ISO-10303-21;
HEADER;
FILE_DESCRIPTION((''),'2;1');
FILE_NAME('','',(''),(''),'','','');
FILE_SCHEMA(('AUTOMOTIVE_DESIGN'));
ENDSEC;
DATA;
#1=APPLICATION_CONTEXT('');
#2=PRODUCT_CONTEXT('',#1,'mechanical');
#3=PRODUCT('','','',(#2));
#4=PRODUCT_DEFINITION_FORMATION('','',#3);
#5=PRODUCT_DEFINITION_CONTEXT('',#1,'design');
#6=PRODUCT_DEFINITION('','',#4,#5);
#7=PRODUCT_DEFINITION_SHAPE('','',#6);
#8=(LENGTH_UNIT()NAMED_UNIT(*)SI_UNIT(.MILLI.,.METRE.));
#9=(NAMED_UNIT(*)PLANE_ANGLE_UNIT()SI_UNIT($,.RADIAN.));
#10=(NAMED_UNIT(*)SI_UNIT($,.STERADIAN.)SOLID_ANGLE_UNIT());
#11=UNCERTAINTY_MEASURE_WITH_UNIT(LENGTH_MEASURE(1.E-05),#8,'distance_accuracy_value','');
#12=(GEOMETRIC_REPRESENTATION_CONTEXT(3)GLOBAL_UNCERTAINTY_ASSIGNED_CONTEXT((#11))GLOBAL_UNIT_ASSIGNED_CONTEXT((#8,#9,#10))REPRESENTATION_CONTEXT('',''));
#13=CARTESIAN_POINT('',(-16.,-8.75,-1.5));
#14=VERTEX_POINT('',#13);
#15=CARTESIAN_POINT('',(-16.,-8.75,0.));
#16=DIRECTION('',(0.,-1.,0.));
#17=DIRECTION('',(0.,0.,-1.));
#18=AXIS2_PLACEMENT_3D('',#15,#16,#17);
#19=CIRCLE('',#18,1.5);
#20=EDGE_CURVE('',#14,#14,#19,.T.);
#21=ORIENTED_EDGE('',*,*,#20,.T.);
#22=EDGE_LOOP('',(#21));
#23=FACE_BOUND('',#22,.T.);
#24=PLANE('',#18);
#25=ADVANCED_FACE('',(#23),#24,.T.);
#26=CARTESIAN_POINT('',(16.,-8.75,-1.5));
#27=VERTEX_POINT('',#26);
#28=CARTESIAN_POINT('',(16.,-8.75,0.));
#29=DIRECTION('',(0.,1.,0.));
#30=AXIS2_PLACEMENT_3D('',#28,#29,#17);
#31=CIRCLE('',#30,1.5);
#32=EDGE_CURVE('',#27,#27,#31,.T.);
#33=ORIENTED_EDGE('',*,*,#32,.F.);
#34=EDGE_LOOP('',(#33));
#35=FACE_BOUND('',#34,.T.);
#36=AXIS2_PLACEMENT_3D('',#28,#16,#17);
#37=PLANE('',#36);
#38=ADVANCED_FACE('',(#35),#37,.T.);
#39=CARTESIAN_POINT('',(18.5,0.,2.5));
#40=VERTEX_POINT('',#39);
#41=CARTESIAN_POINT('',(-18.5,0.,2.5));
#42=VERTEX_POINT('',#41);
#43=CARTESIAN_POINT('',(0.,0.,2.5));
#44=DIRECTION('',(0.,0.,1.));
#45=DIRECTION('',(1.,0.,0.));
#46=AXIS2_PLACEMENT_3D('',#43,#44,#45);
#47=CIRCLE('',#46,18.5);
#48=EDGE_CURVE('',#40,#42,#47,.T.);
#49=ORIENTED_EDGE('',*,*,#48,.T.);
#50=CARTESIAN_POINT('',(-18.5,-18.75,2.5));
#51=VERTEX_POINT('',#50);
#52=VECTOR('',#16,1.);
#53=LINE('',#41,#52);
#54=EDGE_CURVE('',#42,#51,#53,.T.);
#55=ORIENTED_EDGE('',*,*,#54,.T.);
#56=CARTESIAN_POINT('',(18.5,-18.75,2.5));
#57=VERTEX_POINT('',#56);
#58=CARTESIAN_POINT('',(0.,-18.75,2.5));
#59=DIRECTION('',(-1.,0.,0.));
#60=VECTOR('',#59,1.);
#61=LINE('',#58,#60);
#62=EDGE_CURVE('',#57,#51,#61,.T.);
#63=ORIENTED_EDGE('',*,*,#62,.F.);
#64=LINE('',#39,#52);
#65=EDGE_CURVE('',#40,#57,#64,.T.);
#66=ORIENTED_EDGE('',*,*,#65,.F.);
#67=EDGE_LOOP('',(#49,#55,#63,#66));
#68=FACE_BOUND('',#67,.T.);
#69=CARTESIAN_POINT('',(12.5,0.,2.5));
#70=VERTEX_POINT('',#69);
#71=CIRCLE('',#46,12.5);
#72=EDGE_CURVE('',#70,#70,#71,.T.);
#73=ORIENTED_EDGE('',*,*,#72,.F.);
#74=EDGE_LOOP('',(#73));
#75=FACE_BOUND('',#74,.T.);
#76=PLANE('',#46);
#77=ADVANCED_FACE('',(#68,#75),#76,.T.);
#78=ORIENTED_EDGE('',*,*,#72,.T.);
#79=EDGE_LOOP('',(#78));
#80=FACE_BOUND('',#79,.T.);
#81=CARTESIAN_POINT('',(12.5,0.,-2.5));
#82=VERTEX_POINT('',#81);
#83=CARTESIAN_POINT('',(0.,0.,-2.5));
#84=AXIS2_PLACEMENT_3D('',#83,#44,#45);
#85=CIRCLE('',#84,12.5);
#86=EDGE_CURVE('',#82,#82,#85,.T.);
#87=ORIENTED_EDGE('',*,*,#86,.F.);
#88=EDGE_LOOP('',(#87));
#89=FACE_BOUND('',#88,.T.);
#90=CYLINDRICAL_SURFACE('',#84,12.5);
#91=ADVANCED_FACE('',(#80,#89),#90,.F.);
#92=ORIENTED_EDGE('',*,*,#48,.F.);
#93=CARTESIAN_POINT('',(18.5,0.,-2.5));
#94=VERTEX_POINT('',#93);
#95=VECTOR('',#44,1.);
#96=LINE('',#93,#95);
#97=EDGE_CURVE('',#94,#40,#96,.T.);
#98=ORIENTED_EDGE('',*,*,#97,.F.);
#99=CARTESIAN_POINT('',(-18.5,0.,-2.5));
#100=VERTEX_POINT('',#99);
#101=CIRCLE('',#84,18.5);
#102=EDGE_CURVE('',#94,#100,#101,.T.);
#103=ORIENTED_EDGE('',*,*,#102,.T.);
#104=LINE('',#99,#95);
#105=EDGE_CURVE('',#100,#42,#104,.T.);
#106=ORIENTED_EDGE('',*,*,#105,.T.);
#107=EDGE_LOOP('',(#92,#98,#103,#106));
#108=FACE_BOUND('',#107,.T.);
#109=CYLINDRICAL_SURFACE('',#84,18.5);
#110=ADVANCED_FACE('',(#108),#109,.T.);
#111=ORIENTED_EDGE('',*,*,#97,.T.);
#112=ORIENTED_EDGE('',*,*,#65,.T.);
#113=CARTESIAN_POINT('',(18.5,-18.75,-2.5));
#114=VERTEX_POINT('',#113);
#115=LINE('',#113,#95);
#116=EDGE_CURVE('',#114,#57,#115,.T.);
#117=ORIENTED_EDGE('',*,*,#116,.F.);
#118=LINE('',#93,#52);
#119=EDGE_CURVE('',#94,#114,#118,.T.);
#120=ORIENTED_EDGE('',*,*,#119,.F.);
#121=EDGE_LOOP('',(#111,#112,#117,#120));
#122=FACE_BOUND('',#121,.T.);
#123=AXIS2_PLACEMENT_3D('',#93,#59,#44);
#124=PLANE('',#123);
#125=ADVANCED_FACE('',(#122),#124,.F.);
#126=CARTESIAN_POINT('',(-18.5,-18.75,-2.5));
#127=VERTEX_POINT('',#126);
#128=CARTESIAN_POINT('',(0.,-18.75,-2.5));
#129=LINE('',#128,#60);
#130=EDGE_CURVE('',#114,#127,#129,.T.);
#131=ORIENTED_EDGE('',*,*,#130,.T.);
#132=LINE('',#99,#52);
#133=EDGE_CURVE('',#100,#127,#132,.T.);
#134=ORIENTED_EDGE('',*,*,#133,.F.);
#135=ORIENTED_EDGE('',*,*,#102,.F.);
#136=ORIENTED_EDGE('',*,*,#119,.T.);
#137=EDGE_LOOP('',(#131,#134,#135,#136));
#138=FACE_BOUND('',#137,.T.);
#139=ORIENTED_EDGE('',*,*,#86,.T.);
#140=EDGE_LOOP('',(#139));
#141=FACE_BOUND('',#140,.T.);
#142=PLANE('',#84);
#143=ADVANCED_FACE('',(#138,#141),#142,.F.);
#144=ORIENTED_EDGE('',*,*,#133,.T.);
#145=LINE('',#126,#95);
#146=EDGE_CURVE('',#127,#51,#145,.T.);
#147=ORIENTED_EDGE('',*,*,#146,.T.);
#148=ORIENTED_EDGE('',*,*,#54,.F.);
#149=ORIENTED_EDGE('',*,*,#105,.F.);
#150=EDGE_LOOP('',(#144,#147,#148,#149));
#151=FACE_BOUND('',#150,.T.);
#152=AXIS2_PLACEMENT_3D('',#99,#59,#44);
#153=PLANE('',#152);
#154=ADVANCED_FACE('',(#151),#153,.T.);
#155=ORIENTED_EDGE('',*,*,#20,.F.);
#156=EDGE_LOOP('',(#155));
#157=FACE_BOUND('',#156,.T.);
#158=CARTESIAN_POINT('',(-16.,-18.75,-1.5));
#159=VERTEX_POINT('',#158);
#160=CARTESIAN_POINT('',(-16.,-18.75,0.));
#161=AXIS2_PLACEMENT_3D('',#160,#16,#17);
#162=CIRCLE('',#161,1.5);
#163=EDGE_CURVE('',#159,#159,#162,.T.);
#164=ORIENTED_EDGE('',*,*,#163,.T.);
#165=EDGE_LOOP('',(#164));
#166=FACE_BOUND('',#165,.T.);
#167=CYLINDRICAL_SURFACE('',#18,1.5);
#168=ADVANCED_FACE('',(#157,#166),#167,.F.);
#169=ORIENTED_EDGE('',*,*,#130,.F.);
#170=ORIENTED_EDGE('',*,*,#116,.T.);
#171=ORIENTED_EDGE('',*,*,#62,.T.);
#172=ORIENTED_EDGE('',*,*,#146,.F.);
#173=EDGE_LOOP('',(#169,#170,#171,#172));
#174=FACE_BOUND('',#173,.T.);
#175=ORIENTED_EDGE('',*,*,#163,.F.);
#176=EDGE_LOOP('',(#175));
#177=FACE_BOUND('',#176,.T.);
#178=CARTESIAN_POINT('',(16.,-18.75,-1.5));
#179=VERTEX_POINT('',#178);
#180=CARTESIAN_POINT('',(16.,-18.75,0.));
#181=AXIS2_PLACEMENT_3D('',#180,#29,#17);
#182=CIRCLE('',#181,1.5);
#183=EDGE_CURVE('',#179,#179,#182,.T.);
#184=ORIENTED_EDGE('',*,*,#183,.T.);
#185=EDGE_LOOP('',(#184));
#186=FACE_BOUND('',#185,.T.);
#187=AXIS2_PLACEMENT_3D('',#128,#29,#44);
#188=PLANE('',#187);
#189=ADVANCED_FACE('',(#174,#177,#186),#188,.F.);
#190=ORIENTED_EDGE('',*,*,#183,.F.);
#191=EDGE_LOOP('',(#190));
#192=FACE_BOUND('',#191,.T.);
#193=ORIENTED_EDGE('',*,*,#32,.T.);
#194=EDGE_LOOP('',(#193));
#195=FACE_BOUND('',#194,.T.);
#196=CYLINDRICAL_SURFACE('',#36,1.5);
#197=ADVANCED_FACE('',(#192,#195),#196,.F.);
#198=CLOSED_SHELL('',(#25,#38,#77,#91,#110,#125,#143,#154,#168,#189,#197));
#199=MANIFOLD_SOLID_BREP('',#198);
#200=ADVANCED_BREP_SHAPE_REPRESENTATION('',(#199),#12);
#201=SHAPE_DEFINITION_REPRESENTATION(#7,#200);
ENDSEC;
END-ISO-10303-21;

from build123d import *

# Parameters (mm, degrees)
BOSS_EXTRUDE1_DEPTH      = 2.5
BOSS_EXTRUDE1_DEPTH_BACK = 2.5
SKETCH1_R                = 12.5
SKETCH2_R                = 1.5
CUT_EXTRUDE1_DEPTH       = 10


with BuildPart() as part:
    # Sketch1 → Boss-Extrude1 (new, two sides: drawn at the far end of the back side and taken through both)
    with BuildSketch(Plane.XY.offset(-BOSS_EXTRUDE1_DEPTH_BACK)):
        with BuildLine():
            Line((18.5, -18.75), (18.5, 0))
            ThreePointArc((18.5, 0), (0, 18.5), (-18.5, 0))
            Line((-18.5, 0), (-18.5, -18.75))
            Line((-18.5, -18.75), (18.5, -18.75))
        make_face()
        Circle(SKETCH1_R, mode=Mode.SUBTRACT)
    extrude(amount=BOSS_EXTRUDE1_DEPTH + BOSS_EXTRUDE1_DEPTH_BACK)

    # Sketch2 → Cut-Extrude1 (cut)
    with BuildSketch(Plane.XZ.offset(18.75)):
        with Locations((-16, 0)):
            Circle(SKETCH2_R)
    cut_extrude1 = extrude(amount=-CUT_EXTRUDE1_DEPTH, mode=Mode.SUBTRACT)

    # Mirror1: Cut-Extrude1 across plane
    add(cut_extrude1.mirror(Plane(origin=(0, 0, 0), x_dir=(0, 0, 1), z_dir=(1, 0, 0))), mode=Mode.SUBTRACT)


solid = part.part
